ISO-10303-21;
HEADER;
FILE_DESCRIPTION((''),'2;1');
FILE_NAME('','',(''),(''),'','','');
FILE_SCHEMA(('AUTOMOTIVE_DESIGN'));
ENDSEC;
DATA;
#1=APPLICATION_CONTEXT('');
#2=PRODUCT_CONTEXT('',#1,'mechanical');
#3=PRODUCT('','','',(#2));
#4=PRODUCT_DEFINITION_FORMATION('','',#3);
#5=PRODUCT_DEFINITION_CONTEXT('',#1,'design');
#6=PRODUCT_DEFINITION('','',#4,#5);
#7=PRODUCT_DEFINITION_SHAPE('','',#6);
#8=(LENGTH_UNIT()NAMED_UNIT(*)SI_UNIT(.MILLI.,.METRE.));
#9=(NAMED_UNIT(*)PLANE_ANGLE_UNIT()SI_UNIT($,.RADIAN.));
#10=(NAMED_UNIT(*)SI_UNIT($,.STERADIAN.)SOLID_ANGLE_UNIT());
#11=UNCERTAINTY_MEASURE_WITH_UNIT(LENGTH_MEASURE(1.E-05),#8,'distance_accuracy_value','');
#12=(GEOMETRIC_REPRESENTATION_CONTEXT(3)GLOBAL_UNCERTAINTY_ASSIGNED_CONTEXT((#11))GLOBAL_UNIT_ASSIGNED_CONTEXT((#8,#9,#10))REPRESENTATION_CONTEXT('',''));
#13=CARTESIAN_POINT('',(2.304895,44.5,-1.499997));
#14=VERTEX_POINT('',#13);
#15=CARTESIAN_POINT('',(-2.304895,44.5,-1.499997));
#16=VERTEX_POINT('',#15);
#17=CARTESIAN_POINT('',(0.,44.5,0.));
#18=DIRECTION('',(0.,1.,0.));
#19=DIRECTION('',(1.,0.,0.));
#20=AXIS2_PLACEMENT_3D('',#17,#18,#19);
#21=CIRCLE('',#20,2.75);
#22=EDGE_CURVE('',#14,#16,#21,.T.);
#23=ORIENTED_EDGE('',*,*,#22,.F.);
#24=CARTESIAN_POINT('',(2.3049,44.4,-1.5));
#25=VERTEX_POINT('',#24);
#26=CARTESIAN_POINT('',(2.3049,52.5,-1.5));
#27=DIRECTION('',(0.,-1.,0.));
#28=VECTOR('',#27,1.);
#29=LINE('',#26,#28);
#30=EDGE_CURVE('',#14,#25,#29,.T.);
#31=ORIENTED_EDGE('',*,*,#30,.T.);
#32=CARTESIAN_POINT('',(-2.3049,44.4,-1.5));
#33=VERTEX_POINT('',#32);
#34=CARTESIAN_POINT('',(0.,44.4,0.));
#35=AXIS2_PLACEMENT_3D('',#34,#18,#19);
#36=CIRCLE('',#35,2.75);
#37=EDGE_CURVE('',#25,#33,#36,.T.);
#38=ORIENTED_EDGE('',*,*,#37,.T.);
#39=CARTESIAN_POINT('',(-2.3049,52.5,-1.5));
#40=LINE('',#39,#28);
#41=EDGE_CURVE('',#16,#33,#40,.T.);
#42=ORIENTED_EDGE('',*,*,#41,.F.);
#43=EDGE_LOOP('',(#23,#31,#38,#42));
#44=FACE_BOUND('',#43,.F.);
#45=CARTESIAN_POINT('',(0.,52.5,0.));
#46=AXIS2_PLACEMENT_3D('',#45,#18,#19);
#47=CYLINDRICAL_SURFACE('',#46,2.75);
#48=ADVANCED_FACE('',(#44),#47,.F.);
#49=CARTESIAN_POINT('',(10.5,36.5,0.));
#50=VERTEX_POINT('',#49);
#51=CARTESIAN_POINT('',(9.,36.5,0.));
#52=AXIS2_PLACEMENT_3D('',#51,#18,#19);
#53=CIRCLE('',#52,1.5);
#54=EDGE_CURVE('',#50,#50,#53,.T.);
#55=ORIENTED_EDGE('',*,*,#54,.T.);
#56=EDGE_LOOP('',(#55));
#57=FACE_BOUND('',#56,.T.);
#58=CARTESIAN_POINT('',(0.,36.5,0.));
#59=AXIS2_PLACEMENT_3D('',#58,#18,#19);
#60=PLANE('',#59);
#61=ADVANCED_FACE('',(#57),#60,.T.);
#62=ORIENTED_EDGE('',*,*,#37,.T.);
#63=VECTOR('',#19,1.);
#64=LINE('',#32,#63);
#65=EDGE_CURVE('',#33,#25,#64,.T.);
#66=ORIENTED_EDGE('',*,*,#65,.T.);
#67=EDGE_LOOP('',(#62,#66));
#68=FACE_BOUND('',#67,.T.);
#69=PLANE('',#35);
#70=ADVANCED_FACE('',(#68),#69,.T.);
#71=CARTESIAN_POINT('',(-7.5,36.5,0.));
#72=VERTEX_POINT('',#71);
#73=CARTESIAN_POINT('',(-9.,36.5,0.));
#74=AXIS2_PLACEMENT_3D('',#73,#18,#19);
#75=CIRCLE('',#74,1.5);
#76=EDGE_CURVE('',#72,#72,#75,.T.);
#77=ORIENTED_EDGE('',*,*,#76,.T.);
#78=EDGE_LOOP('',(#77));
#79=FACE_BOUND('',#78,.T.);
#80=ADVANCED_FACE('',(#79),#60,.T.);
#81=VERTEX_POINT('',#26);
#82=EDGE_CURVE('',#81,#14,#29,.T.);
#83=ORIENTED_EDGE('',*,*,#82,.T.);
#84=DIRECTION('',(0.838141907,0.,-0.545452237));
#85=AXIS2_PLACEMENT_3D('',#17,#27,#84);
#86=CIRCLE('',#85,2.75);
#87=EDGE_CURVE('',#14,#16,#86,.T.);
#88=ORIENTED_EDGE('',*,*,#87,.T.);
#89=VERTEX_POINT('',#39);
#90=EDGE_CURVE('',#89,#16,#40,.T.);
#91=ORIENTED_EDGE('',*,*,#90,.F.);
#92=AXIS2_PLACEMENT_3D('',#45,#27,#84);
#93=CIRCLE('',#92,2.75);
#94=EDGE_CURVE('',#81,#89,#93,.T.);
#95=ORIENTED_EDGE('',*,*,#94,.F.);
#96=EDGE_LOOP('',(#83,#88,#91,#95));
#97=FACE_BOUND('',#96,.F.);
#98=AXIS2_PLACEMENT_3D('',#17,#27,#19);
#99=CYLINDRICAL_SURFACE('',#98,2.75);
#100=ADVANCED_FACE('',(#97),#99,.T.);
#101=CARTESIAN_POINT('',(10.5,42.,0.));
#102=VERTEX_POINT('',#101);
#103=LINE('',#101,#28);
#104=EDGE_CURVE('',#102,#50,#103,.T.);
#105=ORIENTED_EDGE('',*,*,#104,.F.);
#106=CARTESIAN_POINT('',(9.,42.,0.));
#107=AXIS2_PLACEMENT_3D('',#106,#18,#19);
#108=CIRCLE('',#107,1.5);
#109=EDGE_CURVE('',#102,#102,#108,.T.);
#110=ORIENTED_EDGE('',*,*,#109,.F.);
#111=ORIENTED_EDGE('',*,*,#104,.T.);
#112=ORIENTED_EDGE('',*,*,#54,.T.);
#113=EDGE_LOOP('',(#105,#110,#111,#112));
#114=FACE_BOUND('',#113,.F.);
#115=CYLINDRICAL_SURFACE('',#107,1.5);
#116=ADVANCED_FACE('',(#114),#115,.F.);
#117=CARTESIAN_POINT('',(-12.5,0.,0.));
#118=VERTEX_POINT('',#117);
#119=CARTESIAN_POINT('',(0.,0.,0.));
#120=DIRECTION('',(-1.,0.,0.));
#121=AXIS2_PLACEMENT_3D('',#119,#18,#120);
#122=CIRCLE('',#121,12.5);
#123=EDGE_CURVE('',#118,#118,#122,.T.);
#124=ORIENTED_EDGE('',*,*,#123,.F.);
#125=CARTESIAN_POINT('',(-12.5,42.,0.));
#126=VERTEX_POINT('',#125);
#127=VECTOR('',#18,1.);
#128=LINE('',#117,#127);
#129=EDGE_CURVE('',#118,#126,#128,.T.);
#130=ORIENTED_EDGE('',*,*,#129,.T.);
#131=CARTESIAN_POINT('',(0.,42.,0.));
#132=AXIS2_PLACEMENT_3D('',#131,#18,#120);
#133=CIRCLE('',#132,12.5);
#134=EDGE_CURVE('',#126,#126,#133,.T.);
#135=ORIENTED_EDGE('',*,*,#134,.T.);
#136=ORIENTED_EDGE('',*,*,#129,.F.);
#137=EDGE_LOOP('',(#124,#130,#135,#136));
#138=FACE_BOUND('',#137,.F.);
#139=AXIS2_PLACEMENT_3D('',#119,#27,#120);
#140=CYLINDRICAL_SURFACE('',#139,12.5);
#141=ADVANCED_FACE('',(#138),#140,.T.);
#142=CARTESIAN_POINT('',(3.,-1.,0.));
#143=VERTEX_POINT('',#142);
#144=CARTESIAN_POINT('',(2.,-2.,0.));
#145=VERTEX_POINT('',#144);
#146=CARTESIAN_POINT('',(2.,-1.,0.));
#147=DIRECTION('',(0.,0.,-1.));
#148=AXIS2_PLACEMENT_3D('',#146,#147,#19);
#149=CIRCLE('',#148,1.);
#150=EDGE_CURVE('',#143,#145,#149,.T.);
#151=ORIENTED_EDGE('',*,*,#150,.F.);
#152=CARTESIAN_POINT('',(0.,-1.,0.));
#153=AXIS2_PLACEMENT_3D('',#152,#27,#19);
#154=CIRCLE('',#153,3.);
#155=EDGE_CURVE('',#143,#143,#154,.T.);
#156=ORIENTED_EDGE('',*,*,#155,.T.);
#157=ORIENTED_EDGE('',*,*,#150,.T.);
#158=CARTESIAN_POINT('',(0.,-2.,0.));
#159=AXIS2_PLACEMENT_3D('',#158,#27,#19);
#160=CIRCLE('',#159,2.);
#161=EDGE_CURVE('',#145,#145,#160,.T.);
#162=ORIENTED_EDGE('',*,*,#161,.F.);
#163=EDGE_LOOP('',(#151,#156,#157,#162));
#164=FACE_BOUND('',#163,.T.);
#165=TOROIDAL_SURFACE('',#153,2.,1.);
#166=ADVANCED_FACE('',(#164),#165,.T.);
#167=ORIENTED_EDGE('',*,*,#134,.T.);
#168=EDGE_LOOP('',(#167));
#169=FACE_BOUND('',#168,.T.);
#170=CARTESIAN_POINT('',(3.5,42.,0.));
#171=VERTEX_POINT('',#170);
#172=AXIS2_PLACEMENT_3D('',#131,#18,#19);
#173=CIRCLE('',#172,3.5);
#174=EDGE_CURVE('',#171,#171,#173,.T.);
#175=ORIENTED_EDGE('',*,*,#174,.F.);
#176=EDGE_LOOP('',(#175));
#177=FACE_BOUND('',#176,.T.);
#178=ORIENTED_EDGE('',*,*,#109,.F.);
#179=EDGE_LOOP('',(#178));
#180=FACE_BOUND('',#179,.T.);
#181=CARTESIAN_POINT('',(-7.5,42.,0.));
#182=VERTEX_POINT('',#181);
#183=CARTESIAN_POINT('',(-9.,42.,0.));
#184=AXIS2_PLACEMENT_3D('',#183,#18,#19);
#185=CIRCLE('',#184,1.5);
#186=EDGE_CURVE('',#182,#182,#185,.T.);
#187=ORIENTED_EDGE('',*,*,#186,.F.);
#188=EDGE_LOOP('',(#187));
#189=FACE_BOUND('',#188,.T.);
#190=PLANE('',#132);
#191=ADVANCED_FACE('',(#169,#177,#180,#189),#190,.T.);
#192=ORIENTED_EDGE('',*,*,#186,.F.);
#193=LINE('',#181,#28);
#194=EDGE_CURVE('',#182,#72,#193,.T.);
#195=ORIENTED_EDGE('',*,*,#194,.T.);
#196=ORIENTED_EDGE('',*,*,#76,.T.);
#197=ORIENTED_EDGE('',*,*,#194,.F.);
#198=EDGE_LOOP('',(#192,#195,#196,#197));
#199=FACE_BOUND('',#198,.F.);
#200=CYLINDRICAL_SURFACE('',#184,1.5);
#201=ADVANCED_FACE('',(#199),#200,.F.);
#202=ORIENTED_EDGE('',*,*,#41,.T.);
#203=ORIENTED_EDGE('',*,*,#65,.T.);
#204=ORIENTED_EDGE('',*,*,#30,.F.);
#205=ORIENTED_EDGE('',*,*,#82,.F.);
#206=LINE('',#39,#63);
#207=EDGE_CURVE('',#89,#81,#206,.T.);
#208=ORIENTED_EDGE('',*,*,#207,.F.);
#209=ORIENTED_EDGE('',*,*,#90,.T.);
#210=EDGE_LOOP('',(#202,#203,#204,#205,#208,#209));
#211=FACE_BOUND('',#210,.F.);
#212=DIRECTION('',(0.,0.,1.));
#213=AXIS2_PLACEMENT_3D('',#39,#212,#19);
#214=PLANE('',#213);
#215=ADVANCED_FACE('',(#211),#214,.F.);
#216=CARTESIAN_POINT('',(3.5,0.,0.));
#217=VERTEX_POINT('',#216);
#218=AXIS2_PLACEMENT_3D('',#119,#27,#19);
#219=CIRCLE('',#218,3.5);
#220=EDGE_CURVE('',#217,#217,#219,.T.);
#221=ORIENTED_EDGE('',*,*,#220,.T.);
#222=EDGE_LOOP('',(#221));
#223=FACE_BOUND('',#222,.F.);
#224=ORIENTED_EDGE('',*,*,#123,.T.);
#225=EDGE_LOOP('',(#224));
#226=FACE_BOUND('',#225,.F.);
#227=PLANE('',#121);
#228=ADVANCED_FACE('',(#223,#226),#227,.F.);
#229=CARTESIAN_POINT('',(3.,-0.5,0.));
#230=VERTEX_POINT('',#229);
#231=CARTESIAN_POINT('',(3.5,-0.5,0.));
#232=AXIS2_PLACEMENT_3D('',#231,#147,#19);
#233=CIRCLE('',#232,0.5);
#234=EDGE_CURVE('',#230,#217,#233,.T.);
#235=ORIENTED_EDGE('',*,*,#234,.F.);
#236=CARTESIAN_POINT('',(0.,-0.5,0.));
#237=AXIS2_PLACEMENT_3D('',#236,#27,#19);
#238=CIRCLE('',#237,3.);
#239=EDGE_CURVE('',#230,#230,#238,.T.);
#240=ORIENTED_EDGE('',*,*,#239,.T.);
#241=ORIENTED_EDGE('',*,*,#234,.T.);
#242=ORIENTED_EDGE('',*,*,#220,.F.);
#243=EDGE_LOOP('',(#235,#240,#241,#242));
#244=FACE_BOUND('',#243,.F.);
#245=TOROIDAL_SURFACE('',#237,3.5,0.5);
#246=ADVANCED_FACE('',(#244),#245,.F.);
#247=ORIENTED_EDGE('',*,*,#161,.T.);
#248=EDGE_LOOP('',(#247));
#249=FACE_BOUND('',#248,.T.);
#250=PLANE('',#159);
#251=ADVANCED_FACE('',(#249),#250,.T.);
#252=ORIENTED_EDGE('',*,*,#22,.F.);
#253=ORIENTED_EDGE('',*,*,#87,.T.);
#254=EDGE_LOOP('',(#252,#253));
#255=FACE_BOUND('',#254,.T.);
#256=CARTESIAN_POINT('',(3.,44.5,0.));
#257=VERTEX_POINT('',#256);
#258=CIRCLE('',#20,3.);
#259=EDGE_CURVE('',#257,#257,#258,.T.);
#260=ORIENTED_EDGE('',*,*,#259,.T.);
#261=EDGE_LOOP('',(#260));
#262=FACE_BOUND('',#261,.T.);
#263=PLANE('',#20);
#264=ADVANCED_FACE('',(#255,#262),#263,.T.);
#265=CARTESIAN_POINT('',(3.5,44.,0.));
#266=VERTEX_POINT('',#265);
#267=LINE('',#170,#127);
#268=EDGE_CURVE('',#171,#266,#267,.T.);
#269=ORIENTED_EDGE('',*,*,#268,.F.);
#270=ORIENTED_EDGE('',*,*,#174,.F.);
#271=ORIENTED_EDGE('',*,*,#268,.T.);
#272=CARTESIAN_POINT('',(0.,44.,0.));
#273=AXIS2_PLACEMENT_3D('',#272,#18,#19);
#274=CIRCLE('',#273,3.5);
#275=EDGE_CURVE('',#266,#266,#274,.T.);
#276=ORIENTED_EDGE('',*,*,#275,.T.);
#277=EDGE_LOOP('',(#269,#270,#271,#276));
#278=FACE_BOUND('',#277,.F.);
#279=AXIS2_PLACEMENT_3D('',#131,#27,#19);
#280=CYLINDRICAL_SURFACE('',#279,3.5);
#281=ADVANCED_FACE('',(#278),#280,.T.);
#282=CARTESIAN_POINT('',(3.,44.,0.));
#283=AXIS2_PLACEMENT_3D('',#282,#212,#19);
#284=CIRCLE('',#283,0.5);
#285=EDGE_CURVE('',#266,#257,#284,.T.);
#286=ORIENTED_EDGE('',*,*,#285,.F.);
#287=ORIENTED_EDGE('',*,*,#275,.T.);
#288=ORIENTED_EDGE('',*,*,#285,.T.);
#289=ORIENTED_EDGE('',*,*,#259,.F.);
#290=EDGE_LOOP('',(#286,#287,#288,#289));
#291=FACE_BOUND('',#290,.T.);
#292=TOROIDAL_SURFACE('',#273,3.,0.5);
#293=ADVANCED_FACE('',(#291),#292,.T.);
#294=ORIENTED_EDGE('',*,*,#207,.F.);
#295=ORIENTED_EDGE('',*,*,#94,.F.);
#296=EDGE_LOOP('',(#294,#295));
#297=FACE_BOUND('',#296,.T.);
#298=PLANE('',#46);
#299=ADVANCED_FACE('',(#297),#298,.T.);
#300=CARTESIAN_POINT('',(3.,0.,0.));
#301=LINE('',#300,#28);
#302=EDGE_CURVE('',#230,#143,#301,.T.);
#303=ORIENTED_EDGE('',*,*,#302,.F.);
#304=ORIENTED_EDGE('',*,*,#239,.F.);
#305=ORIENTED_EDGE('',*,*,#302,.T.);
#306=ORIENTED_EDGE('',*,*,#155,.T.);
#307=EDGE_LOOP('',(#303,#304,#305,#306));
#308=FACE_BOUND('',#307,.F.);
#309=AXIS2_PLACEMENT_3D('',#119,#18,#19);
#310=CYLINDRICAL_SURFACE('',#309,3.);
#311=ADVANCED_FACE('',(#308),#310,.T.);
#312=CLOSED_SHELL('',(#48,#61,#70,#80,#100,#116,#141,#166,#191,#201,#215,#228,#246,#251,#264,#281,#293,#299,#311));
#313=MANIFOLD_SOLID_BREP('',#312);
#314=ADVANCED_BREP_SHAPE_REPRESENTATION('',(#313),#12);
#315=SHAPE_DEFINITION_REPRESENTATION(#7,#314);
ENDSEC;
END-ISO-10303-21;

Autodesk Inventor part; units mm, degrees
ref_plane "YZ Plane" through (0, 0, 0) normal (1, 0, 0) x (0, 1, 0)
ref_plane "XZ Plane" through (0, 0, 0) normal (0, 1, 0) x (-1, 0, 0)
ref_plane "XY Plane" through (0, 0, 0) normal (0, 0, 1) x (1, 0, 0)
sketch "Esquisse1" plane through (0, 0, 0) normal (0, 1, 0) x (-1, 0, 0)
  circle A0 centre (0, 0) radius 12.5
  dimension "d0" = 25
extrude "Extrusion1" add sketch "Esquisse1" along normal blind 42
sketch "Esquisse2" plane through (0, 42, 0) normal (0, 1, 0) x (1, 0, 0)
  circle A0 centre (0, 0) radius 12.5 projected
  circle A1 centre (0, 0) radius 3.5
  dimension "d3" = 7
extrude "Extrusion2" add sketch "Esquisse2" along normal blind 2.5 contours A1
sketch "Esquisse3" plane through (0, 44.5, 0) normal (0, 1, 0) x (1, 0, 0)
  circle A0 centre (0, 0) radius 3.5 projected
  circle A1 centre (0, 0) radius 2.75
  dimension "d6" = 5.5
extrude "Extrusion3" add sketch "Esquisse3" along normal blind 8 contours A1
sketch "Esquisse4" plane through (0, 52.5, 0) normal (0, 1, 0) x (1, 0, 0)
  circle A0 centre (0, 0) radius 2.75 projected
  line L0 (-2.3049, 1.5) -> (2.3049, 1.5)
  arc A1 (-2.3049, 1.5) -> (2.3049, 1.5) centre (0, 0) ccw
  arc A2 (2.3049, 1.5) -> (-2.3049, 1.5) centre (0, 0) ccw
  dimension "d9" = 1.5
extrude "Extrusion4" cut sketch "Esquisse4" against normal blind 8.1 contours L0 A0 picked at (0.6217, 1.6736)
sketch "Esquisse5" plane through (0, 42, 0) normal (0, 1, 0) x (1, 0, 0)
  circle A0 centre (0, 0) radius 12.5 projected
  circle A1 centre (-9, 0) radius 1.5
  circle A2 centre (9, 0) radius 1.5
  line L0 (0, 0) -> (0, 12.5) construction
  line L1 (0, 0) -> (-12.5, 0) construction
  dimension "d12" = 3
  dimension "d13" = 9
extrude "Extrusion5" cut sketch "Esquisse5" against normal blind 5.5 contours A1 | A2
sketch "Esquisse6" plane through (0, 0, 0) normal (0, -1, 0) x (1, 0, 0)
  circle A0 centre (0, 0) radius 12.5 projected
  circle A1 centre (0, 0) radius 3
  dimension "d16" = 6
extrude "Extrusion6" add sketch "Esquisse6" along normal blind 2 contours A1
fillet "Congé1" radius 1 1 edges at (-3, -2, 0)
fillet "Congé2" radius 0.5 1 edges at (-3, 0, 0)
fillet "Congé3" radius 0.5 1 edges at (-3.5, 44.5, 0)
properties part number "motor"
